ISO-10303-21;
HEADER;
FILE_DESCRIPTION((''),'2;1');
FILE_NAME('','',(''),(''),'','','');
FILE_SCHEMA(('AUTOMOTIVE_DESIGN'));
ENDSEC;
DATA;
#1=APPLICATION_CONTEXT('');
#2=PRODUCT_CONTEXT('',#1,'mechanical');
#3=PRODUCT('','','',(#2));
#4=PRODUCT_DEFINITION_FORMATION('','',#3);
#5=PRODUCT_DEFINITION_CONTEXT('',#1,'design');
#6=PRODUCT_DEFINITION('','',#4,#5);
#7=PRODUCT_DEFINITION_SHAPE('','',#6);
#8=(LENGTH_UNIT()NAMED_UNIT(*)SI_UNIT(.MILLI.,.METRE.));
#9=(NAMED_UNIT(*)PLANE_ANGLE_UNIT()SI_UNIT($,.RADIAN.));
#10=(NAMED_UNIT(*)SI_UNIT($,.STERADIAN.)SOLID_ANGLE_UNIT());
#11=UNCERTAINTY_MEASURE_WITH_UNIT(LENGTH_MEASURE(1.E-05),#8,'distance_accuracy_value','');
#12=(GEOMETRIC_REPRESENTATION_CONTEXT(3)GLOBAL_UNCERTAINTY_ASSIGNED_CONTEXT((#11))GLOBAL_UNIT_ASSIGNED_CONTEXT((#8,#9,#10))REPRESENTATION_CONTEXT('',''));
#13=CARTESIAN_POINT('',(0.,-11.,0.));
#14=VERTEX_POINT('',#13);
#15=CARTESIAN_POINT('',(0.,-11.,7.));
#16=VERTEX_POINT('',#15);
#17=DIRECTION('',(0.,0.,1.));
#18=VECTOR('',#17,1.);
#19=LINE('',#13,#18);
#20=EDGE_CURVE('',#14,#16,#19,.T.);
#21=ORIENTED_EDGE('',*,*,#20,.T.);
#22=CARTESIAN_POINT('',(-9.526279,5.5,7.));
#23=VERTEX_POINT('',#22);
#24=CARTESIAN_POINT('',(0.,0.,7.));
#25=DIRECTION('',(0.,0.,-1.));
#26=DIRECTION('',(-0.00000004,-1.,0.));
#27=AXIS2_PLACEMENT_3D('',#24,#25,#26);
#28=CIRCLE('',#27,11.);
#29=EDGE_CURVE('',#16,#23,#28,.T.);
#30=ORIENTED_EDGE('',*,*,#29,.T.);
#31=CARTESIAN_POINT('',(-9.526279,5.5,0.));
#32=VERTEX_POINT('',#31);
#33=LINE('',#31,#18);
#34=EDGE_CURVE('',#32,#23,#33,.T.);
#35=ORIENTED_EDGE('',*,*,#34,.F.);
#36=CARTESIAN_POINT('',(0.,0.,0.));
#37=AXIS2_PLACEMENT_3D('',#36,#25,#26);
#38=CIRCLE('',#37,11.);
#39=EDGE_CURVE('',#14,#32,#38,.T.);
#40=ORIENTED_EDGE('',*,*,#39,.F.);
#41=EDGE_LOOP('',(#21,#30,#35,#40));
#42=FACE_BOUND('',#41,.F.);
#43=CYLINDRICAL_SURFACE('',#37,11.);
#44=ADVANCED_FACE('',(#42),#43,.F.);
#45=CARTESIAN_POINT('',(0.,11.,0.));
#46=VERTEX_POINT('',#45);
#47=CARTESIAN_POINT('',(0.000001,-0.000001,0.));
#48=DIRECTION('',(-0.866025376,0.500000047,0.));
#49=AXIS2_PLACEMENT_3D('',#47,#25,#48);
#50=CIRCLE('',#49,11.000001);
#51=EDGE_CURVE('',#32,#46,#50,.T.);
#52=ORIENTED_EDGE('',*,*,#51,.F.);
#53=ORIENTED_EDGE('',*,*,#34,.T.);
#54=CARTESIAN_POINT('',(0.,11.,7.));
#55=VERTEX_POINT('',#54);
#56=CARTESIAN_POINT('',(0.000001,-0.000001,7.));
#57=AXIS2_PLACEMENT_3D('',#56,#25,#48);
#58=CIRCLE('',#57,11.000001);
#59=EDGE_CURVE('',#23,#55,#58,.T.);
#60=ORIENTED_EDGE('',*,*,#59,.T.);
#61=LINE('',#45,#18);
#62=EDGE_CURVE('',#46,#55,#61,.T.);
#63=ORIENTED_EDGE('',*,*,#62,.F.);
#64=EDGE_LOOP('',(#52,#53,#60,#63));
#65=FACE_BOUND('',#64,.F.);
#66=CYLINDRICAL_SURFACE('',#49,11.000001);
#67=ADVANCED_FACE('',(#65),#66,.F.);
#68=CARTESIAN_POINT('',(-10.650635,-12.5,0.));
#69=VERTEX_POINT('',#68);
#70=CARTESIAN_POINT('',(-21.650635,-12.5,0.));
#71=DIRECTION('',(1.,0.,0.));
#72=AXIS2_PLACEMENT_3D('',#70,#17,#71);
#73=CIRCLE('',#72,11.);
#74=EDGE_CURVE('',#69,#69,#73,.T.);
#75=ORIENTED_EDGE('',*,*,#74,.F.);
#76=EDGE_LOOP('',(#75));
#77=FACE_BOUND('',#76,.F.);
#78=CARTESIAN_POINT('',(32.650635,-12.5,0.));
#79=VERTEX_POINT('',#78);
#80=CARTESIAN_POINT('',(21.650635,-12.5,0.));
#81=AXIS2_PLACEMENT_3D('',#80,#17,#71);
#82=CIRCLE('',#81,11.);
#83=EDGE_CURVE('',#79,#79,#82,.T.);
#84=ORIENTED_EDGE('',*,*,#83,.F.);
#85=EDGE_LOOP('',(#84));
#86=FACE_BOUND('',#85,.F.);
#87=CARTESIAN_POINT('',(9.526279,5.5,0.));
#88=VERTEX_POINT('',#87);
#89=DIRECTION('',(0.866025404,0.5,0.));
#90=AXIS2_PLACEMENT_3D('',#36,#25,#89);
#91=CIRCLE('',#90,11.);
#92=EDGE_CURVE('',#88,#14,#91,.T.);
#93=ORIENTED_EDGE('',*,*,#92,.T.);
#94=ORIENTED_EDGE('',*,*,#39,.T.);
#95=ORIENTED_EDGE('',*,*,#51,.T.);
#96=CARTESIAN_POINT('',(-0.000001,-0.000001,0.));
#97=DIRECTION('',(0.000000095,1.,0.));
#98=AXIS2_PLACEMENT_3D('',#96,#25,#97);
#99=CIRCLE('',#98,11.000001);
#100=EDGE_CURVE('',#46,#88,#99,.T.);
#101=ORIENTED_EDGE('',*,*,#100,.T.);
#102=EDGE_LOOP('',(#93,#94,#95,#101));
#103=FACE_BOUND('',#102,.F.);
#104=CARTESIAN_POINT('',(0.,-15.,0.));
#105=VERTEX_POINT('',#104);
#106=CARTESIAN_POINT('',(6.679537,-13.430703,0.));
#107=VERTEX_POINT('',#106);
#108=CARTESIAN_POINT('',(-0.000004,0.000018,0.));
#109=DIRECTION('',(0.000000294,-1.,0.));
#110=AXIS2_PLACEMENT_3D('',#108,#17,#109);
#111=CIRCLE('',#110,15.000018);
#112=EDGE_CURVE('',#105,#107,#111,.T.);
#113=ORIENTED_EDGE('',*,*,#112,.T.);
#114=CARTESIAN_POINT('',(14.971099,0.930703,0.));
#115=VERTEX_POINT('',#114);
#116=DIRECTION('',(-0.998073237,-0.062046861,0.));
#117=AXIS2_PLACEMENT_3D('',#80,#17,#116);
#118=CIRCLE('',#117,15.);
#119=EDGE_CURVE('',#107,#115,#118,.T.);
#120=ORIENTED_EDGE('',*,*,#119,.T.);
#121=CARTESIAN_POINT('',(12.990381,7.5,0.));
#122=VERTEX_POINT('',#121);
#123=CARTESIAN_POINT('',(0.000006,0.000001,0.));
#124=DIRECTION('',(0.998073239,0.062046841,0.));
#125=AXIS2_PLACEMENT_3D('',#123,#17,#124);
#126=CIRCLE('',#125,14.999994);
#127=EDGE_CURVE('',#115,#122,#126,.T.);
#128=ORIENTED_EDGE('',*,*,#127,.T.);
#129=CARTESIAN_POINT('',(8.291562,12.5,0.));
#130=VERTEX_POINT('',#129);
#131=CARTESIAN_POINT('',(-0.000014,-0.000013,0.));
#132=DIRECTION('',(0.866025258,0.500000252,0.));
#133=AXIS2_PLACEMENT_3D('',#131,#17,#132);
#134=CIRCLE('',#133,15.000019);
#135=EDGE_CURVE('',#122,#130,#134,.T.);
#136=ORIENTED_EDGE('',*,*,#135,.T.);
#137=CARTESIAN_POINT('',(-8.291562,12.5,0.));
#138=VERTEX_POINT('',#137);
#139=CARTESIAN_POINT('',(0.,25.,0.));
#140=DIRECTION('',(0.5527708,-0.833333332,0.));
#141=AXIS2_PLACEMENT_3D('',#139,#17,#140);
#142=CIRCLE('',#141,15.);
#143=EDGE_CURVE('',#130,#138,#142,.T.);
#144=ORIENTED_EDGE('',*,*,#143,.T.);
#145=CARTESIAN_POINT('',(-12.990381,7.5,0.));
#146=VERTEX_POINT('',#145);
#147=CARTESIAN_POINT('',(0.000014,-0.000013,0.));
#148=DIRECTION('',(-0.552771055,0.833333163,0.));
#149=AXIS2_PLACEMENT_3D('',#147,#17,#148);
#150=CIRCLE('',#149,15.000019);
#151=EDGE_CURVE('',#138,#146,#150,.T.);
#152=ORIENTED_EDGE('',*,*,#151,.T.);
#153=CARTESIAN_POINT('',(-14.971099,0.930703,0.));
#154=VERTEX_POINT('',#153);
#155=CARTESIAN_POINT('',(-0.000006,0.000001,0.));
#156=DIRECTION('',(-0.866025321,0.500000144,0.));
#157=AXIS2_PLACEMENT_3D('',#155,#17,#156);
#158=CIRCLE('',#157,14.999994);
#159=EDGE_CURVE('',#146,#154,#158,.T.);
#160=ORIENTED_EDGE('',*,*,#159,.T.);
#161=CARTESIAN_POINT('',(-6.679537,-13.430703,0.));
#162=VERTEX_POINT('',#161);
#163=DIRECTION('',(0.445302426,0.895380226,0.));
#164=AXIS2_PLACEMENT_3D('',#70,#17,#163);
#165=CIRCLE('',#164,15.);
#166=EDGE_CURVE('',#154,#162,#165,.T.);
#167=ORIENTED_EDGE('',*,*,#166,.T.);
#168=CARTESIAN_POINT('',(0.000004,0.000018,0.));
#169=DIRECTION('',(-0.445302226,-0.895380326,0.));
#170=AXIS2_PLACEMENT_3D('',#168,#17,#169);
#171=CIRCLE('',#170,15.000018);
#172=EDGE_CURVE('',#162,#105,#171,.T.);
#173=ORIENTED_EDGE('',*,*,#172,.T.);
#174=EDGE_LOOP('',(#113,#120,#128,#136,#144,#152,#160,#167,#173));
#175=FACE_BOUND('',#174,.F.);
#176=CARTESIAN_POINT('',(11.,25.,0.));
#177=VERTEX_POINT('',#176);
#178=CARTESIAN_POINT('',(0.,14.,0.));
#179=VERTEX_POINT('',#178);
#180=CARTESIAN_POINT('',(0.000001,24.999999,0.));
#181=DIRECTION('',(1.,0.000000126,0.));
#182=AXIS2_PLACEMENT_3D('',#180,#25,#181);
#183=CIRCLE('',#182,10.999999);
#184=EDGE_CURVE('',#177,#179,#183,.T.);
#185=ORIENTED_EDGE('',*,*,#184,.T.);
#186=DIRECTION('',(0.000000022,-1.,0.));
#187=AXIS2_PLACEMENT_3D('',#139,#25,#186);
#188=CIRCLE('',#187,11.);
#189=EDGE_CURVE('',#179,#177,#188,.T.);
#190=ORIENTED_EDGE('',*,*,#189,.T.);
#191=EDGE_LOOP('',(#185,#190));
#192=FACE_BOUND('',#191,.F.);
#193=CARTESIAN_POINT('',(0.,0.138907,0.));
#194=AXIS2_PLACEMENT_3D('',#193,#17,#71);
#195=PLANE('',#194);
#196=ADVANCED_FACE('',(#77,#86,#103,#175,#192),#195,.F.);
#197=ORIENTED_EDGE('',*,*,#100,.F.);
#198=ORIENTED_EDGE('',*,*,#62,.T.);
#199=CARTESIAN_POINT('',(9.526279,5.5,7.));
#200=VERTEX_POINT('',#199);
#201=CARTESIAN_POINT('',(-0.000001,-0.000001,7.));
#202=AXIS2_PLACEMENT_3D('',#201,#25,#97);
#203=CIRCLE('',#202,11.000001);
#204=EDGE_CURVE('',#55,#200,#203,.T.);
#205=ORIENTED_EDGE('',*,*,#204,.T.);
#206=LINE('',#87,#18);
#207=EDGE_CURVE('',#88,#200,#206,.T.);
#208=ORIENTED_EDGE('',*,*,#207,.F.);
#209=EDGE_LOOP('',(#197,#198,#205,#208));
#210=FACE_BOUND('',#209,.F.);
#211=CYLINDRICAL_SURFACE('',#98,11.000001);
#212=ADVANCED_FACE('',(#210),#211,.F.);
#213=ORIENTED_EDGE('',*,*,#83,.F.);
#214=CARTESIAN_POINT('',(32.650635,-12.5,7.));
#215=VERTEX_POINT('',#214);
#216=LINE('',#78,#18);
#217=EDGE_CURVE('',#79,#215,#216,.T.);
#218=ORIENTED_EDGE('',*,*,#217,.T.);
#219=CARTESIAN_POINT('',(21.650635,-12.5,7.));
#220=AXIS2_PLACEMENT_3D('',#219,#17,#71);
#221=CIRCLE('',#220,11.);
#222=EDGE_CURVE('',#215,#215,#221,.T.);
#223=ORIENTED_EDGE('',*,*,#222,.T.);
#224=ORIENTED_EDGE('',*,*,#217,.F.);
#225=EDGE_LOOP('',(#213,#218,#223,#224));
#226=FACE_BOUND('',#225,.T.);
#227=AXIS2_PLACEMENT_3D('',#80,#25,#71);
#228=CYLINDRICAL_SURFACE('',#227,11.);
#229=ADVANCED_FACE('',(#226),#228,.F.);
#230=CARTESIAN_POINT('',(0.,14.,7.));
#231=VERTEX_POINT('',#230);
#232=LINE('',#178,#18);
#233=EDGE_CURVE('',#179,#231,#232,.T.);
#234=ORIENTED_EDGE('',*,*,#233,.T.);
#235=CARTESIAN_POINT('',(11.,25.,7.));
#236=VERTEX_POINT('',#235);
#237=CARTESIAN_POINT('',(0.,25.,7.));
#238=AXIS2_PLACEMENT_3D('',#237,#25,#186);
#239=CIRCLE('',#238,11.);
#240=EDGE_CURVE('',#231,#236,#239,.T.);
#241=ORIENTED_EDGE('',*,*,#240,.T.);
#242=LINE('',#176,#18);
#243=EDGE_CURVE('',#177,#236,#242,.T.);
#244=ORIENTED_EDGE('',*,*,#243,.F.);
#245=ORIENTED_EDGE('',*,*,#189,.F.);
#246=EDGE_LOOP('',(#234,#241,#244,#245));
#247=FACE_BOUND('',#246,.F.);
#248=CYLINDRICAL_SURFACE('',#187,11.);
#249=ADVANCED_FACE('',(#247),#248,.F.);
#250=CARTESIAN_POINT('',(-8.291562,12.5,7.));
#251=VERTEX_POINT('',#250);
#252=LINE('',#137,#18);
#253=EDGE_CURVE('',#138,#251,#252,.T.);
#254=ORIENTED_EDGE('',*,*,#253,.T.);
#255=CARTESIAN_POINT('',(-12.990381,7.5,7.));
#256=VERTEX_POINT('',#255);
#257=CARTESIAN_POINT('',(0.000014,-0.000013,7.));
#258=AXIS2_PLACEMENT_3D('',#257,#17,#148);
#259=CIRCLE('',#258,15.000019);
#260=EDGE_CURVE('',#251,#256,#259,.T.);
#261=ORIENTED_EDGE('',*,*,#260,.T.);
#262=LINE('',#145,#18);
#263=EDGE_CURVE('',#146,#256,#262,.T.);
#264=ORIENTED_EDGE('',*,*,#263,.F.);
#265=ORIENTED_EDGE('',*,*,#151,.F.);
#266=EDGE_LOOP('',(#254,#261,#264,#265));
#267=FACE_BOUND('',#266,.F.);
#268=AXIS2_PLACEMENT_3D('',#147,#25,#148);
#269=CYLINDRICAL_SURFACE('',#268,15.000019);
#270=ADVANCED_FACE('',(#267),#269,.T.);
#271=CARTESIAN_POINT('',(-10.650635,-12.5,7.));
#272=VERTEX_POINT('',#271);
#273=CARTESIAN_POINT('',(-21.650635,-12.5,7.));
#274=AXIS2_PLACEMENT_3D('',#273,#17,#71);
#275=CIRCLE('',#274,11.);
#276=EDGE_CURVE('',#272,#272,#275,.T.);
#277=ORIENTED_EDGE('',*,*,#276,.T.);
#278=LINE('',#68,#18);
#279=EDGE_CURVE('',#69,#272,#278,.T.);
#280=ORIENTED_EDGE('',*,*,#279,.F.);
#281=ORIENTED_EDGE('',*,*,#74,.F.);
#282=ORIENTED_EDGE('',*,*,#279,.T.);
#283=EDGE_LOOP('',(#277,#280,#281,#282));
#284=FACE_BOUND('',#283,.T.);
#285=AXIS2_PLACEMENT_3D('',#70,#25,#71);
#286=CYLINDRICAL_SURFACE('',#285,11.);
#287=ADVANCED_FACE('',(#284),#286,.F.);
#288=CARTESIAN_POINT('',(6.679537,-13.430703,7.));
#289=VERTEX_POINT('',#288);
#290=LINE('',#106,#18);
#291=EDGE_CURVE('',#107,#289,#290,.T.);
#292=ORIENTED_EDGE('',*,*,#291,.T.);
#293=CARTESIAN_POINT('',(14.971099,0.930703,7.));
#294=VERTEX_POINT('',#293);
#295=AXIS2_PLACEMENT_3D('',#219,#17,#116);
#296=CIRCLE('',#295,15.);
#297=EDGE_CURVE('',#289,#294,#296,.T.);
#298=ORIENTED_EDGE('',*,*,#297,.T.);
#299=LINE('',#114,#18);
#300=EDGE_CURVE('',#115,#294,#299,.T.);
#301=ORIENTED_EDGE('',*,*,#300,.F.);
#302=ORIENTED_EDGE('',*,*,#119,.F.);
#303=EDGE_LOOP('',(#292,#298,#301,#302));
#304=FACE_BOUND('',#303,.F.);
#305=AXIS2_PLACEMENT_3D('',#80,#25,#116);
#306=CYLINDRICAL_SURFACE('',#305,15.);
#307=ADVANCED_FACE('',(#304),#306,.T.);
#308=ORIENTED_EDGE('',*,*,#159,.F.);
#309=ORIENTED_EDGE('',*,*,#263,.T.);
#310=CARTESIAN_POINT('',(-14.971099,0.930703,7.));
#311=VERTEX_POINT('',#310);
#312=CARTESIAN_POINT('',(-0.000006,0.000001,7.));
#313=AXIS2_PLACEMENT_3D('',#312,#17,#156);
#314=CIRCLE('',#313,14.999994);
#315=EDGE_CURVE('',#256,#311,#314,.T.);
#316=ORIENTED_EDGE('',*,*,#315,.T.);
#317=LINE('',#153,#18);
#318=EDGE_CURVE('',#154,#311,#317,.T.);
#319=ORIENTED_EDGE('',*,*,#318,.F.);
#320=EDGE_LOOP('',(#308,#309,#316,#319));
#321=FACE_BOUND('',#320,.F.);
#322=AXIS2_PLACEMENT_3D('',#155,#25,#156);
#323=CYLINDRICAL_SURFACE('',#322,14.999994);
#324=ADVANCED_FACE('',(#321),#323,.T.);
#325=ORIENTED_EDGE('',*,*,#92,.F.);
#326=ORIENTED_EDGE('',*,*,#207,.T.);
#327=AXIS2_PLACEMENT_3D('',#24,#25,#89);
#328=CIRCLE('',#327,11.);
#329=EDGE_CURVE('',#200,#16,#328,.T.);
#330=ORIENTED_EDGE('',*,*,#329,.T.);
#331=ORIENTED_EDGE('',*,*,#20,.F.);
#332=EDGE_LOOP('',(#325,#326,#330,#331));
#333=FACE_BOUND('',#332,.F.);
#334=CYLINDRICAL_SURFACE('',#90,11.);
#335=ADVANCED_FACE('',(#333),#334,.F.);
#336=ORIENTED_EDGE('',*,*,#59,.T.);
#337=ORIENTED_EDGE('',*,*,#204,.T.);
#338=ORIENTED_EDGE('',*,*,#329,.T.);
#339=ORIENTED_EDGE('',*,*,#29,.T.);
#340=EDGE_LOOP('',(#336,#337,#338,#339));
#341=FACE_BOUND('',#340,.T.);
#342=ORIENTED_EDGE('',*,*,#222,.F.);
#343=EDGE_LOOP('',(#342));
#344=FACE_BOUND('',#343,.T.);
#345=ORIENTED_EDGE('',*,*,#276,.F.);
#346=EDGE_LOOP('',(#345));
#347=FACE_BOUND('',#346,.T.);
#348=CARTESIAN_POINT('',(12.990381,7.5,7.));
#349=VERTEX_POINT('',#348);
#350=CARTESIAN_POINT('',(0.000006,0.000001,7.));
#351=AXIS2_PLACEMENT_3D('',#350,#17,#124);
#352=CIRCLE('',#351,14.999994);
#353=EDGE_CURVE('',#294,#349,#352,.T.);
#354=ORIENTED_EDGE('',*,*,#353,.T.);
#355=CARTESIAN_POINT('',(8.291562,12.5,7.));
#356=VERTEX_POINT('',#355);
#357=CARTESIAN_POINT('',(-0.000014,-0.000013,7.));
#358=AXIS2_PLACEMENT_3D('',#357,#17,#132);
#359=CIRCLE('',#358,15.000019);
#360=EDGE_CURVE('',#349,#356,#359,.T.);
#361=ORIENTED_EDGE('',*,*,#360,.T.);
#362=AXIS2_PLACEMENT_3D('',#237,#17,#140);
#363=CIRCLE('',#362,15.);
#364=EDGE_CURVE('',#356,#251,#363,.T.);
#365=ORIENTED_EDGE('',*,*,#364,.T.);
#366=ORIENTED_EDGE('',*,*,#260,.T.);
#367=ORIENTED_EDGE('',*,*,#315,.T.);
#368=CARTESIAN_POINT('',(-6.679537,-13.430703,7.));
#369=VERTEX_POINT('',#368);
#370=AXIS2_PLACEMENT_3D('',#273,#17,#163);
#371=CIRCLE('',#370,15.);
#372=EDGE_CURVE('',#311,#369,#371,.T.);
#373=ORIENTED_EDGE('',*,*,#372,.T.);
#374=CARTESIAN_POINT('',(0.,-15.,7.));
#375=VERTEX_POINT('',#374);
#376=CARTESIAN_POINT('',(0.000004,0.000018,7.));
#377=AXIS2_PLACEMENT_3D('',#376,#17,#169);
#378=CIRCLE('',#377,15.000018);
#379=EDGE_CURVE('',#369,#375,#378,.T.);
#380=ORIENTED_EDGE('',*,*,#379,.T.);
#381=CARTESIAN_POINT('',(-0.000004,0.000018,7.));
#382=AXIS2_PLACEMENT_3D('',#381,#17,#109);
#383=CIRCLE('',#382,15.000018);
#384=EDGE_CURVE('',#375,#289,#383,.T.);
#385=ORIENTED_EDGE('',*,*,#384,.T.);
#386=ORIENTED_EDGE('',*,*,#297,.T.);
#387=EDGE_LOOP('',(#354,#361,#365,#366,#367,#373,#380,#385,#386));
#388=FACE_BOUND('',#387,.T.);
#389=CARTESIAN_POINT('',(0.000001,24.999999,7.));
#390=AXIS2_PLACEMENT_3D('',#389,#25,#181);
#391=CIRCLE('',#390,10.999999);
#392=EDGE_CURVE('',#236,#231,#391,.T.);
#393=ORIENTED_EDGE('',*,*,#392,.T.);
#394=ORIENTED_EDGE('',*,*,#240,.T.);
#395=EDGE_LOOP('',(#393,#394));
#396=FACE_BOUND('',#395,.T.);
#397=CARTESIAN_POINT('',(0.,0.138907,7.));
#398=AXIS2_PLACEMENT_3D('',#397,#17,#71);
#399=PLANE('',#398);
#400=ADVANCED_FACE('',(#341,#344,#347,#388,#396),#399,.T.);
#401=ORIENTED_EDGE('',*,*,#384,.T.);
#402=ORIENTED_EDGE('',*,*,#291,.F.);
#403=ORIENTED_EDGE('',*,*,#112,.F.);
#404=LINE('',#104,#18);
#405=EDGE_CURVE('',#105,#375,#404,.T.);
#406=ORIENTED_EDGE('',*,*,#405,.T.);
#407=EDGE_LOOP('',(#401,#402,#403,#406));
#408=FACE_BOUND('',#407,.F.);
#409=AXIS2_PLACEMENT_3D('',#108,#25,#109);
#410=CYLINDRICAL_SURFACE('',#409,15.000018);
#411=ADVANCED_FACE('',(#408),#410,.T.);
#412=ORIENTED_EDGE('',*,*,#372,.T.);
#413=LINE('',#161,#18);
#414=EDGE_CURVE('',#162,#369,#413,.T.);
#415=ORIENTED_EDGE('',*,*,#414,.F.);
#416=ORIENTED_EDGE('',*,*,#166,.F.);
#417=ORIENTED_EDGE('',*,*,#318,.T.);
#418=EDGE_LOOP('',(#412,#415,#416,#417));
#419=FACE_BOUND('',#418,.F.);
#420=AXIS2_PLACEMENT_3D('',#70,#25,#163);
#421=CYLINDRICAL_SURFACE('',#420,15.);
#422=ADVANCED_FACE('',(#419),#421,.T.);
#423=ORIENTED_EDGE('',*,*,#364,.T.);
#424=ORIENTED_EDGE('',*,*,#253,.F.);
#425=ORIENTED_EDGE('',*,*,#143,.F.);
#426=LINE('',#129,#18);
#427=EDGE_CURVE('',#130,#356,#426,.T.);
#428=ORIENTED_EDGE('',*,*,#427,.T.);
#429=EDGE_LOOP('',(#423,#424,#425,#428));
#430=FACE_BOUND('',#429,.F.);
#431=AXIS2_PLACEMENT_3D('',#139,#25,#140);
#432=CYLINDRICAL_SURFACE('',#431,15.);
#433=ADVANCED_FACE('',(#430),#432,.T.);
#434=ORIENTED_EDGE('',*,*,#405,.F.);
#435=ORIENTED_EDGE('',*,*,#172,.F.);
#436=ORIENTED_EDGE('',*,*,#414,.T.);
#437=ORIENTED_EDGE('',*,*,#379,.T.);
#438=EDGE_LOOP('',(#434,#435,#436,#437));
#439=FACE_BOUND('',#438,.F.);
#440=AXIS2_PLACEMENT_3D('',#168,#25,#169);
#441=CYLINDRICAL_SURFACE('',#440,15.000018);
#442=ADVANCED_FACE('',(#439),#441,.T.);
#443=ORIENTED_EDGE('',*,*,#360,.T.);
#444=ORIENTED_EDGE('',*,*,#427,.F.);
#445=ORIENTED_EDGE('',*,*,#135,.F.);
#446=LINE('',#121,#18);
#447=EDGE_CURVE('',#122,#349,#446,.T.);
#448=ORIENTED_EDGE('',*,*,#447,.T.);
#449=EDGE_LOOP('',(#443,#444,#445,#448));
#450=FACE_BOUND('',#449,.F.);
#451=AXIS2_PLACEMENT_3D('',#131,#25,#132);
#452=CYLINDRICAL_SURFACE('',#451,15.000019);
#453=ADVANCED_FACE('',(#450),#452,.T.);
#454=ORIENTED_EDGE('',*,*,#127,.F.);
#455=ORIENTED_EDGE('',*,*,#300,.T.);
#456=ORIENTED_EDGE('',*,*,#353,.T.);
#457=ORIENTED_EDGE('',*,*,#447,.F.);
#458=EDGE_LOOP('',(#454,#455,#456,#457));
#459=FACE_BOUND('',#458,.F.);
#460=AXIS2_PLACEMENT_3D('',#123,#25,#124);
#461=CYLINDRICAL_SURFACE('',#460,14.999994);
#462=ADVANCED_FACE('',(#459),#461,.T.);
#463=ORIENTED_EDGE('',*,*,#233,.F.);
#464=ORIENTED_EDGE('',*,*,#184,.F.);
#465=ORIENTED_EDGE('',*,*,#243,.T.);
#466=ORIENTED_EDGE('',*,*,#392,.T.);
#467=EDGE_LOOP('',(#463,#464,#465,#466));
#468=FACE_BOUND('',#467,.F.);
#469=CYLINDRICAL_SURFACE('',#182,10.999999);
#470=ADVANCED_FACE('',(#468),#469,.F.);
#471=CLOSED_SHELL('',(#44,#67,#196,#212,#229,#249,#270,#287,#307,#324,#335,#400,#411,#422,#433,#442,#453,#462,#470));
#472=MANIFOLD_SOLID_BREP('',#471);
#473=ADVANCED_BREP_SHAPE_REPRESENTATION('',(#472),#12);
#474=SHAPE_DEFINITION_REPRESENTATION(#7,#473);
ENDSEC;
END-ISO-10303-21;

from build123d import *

# Parameters (mm, degrees)
F0_R     = 11
F1_DEPTH = 7


with BuildPart() as f1:
    # F0 (on Top) → F1 (new body)
    with BuildSketch(Plane.XY):
        with BuildLine():
            ThreePointArc((0, -11), (9.526279, -5.5), (9.526279, 5.5))
            ThreePointArc((9.526279, 5.5), (5.5, 9.526279), (0, 11))
            ThreePointArc((0, 11), (-5.5, 9.526279), (-9.526279, 5.5))
            ThreePointArc((-9.526279, 5.5), (-9.526279, -5.5), (0, -11))
        make_face()
        with BuildLine():
            ThreePointArc((0, 14), (7.778175, 17.221825), (11, 25))
            ThreePointArc((11, 25), (-7.778175, 32.778175), (0, 14))
        make_face()
        with BuildLine():
            ThreePointArc((8.291562, 12.5), (0, 40), (-8.291562, 12.5))
            ThreePointArc((-8.291562, 12.5), (-10.930703, 10.272279), (-12.990381, 7.5))
            ThreePointArc((-12.990381, 7.5), (-14.361407, 4.330127), (-14.971099, 0.930703))
            ThreePointArc((-14.971099, 0.930703), (-34.641016, -20), (-6.679537, -13.430703))
            ThreePointArc((-6.679537, -13.430703), (-3.430703, -14.602406), (0, -15))
            ThreePointArc((0, -15), (3.430703, -14.602406), (6.679537, -13.430703))
            ThreePointArc((6.679537, -13.430703), (34.641016, -20), (14.971099, 0.930703))
            ThreePointArc((14.971099, 0.930703), (14.361407, 4.330127), (12.990381, 7.5))
            ThreePointArc((12.990381, 7.5), (10.930703, 10.272279), (8.291562, 12.5))
        make_face()
        with Locations((-21.650635, -12.5)):
            Circle(F0_R, mode=Mode.SUBTRACT)
        with Locations((21.650635, -12.5)):
            Circle(F0_R, mode=Mode.SUBTRACT)
        with BuildLine():
            ThreePointArc((0, 11), (5.5, 9.526279), (9.526279, 5.5))
            ThreePointArc((9.526279, 5.5), (9.526279, -5.5), (0, -11))
            ThreePointArc((0, -11), (-9.526279, -5.5), (-9.526279, 5.5))
            ThreePointArc((-9.526279, 5.5), (-5.5, 9.526279), (0, 11))
        make_face(mode=Mode.SUBTRACT)
        with BuildLine():
            ThreePointArc((0, 14), (-7.778175, 32.778175), (11, 25))
            ThreePointArc((11, 25), (7.778175, 17.221825), (0, 14))
        make_face(mode=Mode.SUBTRACT)
    extrude(amount=F1_DEPTH)


solid = f1.part
